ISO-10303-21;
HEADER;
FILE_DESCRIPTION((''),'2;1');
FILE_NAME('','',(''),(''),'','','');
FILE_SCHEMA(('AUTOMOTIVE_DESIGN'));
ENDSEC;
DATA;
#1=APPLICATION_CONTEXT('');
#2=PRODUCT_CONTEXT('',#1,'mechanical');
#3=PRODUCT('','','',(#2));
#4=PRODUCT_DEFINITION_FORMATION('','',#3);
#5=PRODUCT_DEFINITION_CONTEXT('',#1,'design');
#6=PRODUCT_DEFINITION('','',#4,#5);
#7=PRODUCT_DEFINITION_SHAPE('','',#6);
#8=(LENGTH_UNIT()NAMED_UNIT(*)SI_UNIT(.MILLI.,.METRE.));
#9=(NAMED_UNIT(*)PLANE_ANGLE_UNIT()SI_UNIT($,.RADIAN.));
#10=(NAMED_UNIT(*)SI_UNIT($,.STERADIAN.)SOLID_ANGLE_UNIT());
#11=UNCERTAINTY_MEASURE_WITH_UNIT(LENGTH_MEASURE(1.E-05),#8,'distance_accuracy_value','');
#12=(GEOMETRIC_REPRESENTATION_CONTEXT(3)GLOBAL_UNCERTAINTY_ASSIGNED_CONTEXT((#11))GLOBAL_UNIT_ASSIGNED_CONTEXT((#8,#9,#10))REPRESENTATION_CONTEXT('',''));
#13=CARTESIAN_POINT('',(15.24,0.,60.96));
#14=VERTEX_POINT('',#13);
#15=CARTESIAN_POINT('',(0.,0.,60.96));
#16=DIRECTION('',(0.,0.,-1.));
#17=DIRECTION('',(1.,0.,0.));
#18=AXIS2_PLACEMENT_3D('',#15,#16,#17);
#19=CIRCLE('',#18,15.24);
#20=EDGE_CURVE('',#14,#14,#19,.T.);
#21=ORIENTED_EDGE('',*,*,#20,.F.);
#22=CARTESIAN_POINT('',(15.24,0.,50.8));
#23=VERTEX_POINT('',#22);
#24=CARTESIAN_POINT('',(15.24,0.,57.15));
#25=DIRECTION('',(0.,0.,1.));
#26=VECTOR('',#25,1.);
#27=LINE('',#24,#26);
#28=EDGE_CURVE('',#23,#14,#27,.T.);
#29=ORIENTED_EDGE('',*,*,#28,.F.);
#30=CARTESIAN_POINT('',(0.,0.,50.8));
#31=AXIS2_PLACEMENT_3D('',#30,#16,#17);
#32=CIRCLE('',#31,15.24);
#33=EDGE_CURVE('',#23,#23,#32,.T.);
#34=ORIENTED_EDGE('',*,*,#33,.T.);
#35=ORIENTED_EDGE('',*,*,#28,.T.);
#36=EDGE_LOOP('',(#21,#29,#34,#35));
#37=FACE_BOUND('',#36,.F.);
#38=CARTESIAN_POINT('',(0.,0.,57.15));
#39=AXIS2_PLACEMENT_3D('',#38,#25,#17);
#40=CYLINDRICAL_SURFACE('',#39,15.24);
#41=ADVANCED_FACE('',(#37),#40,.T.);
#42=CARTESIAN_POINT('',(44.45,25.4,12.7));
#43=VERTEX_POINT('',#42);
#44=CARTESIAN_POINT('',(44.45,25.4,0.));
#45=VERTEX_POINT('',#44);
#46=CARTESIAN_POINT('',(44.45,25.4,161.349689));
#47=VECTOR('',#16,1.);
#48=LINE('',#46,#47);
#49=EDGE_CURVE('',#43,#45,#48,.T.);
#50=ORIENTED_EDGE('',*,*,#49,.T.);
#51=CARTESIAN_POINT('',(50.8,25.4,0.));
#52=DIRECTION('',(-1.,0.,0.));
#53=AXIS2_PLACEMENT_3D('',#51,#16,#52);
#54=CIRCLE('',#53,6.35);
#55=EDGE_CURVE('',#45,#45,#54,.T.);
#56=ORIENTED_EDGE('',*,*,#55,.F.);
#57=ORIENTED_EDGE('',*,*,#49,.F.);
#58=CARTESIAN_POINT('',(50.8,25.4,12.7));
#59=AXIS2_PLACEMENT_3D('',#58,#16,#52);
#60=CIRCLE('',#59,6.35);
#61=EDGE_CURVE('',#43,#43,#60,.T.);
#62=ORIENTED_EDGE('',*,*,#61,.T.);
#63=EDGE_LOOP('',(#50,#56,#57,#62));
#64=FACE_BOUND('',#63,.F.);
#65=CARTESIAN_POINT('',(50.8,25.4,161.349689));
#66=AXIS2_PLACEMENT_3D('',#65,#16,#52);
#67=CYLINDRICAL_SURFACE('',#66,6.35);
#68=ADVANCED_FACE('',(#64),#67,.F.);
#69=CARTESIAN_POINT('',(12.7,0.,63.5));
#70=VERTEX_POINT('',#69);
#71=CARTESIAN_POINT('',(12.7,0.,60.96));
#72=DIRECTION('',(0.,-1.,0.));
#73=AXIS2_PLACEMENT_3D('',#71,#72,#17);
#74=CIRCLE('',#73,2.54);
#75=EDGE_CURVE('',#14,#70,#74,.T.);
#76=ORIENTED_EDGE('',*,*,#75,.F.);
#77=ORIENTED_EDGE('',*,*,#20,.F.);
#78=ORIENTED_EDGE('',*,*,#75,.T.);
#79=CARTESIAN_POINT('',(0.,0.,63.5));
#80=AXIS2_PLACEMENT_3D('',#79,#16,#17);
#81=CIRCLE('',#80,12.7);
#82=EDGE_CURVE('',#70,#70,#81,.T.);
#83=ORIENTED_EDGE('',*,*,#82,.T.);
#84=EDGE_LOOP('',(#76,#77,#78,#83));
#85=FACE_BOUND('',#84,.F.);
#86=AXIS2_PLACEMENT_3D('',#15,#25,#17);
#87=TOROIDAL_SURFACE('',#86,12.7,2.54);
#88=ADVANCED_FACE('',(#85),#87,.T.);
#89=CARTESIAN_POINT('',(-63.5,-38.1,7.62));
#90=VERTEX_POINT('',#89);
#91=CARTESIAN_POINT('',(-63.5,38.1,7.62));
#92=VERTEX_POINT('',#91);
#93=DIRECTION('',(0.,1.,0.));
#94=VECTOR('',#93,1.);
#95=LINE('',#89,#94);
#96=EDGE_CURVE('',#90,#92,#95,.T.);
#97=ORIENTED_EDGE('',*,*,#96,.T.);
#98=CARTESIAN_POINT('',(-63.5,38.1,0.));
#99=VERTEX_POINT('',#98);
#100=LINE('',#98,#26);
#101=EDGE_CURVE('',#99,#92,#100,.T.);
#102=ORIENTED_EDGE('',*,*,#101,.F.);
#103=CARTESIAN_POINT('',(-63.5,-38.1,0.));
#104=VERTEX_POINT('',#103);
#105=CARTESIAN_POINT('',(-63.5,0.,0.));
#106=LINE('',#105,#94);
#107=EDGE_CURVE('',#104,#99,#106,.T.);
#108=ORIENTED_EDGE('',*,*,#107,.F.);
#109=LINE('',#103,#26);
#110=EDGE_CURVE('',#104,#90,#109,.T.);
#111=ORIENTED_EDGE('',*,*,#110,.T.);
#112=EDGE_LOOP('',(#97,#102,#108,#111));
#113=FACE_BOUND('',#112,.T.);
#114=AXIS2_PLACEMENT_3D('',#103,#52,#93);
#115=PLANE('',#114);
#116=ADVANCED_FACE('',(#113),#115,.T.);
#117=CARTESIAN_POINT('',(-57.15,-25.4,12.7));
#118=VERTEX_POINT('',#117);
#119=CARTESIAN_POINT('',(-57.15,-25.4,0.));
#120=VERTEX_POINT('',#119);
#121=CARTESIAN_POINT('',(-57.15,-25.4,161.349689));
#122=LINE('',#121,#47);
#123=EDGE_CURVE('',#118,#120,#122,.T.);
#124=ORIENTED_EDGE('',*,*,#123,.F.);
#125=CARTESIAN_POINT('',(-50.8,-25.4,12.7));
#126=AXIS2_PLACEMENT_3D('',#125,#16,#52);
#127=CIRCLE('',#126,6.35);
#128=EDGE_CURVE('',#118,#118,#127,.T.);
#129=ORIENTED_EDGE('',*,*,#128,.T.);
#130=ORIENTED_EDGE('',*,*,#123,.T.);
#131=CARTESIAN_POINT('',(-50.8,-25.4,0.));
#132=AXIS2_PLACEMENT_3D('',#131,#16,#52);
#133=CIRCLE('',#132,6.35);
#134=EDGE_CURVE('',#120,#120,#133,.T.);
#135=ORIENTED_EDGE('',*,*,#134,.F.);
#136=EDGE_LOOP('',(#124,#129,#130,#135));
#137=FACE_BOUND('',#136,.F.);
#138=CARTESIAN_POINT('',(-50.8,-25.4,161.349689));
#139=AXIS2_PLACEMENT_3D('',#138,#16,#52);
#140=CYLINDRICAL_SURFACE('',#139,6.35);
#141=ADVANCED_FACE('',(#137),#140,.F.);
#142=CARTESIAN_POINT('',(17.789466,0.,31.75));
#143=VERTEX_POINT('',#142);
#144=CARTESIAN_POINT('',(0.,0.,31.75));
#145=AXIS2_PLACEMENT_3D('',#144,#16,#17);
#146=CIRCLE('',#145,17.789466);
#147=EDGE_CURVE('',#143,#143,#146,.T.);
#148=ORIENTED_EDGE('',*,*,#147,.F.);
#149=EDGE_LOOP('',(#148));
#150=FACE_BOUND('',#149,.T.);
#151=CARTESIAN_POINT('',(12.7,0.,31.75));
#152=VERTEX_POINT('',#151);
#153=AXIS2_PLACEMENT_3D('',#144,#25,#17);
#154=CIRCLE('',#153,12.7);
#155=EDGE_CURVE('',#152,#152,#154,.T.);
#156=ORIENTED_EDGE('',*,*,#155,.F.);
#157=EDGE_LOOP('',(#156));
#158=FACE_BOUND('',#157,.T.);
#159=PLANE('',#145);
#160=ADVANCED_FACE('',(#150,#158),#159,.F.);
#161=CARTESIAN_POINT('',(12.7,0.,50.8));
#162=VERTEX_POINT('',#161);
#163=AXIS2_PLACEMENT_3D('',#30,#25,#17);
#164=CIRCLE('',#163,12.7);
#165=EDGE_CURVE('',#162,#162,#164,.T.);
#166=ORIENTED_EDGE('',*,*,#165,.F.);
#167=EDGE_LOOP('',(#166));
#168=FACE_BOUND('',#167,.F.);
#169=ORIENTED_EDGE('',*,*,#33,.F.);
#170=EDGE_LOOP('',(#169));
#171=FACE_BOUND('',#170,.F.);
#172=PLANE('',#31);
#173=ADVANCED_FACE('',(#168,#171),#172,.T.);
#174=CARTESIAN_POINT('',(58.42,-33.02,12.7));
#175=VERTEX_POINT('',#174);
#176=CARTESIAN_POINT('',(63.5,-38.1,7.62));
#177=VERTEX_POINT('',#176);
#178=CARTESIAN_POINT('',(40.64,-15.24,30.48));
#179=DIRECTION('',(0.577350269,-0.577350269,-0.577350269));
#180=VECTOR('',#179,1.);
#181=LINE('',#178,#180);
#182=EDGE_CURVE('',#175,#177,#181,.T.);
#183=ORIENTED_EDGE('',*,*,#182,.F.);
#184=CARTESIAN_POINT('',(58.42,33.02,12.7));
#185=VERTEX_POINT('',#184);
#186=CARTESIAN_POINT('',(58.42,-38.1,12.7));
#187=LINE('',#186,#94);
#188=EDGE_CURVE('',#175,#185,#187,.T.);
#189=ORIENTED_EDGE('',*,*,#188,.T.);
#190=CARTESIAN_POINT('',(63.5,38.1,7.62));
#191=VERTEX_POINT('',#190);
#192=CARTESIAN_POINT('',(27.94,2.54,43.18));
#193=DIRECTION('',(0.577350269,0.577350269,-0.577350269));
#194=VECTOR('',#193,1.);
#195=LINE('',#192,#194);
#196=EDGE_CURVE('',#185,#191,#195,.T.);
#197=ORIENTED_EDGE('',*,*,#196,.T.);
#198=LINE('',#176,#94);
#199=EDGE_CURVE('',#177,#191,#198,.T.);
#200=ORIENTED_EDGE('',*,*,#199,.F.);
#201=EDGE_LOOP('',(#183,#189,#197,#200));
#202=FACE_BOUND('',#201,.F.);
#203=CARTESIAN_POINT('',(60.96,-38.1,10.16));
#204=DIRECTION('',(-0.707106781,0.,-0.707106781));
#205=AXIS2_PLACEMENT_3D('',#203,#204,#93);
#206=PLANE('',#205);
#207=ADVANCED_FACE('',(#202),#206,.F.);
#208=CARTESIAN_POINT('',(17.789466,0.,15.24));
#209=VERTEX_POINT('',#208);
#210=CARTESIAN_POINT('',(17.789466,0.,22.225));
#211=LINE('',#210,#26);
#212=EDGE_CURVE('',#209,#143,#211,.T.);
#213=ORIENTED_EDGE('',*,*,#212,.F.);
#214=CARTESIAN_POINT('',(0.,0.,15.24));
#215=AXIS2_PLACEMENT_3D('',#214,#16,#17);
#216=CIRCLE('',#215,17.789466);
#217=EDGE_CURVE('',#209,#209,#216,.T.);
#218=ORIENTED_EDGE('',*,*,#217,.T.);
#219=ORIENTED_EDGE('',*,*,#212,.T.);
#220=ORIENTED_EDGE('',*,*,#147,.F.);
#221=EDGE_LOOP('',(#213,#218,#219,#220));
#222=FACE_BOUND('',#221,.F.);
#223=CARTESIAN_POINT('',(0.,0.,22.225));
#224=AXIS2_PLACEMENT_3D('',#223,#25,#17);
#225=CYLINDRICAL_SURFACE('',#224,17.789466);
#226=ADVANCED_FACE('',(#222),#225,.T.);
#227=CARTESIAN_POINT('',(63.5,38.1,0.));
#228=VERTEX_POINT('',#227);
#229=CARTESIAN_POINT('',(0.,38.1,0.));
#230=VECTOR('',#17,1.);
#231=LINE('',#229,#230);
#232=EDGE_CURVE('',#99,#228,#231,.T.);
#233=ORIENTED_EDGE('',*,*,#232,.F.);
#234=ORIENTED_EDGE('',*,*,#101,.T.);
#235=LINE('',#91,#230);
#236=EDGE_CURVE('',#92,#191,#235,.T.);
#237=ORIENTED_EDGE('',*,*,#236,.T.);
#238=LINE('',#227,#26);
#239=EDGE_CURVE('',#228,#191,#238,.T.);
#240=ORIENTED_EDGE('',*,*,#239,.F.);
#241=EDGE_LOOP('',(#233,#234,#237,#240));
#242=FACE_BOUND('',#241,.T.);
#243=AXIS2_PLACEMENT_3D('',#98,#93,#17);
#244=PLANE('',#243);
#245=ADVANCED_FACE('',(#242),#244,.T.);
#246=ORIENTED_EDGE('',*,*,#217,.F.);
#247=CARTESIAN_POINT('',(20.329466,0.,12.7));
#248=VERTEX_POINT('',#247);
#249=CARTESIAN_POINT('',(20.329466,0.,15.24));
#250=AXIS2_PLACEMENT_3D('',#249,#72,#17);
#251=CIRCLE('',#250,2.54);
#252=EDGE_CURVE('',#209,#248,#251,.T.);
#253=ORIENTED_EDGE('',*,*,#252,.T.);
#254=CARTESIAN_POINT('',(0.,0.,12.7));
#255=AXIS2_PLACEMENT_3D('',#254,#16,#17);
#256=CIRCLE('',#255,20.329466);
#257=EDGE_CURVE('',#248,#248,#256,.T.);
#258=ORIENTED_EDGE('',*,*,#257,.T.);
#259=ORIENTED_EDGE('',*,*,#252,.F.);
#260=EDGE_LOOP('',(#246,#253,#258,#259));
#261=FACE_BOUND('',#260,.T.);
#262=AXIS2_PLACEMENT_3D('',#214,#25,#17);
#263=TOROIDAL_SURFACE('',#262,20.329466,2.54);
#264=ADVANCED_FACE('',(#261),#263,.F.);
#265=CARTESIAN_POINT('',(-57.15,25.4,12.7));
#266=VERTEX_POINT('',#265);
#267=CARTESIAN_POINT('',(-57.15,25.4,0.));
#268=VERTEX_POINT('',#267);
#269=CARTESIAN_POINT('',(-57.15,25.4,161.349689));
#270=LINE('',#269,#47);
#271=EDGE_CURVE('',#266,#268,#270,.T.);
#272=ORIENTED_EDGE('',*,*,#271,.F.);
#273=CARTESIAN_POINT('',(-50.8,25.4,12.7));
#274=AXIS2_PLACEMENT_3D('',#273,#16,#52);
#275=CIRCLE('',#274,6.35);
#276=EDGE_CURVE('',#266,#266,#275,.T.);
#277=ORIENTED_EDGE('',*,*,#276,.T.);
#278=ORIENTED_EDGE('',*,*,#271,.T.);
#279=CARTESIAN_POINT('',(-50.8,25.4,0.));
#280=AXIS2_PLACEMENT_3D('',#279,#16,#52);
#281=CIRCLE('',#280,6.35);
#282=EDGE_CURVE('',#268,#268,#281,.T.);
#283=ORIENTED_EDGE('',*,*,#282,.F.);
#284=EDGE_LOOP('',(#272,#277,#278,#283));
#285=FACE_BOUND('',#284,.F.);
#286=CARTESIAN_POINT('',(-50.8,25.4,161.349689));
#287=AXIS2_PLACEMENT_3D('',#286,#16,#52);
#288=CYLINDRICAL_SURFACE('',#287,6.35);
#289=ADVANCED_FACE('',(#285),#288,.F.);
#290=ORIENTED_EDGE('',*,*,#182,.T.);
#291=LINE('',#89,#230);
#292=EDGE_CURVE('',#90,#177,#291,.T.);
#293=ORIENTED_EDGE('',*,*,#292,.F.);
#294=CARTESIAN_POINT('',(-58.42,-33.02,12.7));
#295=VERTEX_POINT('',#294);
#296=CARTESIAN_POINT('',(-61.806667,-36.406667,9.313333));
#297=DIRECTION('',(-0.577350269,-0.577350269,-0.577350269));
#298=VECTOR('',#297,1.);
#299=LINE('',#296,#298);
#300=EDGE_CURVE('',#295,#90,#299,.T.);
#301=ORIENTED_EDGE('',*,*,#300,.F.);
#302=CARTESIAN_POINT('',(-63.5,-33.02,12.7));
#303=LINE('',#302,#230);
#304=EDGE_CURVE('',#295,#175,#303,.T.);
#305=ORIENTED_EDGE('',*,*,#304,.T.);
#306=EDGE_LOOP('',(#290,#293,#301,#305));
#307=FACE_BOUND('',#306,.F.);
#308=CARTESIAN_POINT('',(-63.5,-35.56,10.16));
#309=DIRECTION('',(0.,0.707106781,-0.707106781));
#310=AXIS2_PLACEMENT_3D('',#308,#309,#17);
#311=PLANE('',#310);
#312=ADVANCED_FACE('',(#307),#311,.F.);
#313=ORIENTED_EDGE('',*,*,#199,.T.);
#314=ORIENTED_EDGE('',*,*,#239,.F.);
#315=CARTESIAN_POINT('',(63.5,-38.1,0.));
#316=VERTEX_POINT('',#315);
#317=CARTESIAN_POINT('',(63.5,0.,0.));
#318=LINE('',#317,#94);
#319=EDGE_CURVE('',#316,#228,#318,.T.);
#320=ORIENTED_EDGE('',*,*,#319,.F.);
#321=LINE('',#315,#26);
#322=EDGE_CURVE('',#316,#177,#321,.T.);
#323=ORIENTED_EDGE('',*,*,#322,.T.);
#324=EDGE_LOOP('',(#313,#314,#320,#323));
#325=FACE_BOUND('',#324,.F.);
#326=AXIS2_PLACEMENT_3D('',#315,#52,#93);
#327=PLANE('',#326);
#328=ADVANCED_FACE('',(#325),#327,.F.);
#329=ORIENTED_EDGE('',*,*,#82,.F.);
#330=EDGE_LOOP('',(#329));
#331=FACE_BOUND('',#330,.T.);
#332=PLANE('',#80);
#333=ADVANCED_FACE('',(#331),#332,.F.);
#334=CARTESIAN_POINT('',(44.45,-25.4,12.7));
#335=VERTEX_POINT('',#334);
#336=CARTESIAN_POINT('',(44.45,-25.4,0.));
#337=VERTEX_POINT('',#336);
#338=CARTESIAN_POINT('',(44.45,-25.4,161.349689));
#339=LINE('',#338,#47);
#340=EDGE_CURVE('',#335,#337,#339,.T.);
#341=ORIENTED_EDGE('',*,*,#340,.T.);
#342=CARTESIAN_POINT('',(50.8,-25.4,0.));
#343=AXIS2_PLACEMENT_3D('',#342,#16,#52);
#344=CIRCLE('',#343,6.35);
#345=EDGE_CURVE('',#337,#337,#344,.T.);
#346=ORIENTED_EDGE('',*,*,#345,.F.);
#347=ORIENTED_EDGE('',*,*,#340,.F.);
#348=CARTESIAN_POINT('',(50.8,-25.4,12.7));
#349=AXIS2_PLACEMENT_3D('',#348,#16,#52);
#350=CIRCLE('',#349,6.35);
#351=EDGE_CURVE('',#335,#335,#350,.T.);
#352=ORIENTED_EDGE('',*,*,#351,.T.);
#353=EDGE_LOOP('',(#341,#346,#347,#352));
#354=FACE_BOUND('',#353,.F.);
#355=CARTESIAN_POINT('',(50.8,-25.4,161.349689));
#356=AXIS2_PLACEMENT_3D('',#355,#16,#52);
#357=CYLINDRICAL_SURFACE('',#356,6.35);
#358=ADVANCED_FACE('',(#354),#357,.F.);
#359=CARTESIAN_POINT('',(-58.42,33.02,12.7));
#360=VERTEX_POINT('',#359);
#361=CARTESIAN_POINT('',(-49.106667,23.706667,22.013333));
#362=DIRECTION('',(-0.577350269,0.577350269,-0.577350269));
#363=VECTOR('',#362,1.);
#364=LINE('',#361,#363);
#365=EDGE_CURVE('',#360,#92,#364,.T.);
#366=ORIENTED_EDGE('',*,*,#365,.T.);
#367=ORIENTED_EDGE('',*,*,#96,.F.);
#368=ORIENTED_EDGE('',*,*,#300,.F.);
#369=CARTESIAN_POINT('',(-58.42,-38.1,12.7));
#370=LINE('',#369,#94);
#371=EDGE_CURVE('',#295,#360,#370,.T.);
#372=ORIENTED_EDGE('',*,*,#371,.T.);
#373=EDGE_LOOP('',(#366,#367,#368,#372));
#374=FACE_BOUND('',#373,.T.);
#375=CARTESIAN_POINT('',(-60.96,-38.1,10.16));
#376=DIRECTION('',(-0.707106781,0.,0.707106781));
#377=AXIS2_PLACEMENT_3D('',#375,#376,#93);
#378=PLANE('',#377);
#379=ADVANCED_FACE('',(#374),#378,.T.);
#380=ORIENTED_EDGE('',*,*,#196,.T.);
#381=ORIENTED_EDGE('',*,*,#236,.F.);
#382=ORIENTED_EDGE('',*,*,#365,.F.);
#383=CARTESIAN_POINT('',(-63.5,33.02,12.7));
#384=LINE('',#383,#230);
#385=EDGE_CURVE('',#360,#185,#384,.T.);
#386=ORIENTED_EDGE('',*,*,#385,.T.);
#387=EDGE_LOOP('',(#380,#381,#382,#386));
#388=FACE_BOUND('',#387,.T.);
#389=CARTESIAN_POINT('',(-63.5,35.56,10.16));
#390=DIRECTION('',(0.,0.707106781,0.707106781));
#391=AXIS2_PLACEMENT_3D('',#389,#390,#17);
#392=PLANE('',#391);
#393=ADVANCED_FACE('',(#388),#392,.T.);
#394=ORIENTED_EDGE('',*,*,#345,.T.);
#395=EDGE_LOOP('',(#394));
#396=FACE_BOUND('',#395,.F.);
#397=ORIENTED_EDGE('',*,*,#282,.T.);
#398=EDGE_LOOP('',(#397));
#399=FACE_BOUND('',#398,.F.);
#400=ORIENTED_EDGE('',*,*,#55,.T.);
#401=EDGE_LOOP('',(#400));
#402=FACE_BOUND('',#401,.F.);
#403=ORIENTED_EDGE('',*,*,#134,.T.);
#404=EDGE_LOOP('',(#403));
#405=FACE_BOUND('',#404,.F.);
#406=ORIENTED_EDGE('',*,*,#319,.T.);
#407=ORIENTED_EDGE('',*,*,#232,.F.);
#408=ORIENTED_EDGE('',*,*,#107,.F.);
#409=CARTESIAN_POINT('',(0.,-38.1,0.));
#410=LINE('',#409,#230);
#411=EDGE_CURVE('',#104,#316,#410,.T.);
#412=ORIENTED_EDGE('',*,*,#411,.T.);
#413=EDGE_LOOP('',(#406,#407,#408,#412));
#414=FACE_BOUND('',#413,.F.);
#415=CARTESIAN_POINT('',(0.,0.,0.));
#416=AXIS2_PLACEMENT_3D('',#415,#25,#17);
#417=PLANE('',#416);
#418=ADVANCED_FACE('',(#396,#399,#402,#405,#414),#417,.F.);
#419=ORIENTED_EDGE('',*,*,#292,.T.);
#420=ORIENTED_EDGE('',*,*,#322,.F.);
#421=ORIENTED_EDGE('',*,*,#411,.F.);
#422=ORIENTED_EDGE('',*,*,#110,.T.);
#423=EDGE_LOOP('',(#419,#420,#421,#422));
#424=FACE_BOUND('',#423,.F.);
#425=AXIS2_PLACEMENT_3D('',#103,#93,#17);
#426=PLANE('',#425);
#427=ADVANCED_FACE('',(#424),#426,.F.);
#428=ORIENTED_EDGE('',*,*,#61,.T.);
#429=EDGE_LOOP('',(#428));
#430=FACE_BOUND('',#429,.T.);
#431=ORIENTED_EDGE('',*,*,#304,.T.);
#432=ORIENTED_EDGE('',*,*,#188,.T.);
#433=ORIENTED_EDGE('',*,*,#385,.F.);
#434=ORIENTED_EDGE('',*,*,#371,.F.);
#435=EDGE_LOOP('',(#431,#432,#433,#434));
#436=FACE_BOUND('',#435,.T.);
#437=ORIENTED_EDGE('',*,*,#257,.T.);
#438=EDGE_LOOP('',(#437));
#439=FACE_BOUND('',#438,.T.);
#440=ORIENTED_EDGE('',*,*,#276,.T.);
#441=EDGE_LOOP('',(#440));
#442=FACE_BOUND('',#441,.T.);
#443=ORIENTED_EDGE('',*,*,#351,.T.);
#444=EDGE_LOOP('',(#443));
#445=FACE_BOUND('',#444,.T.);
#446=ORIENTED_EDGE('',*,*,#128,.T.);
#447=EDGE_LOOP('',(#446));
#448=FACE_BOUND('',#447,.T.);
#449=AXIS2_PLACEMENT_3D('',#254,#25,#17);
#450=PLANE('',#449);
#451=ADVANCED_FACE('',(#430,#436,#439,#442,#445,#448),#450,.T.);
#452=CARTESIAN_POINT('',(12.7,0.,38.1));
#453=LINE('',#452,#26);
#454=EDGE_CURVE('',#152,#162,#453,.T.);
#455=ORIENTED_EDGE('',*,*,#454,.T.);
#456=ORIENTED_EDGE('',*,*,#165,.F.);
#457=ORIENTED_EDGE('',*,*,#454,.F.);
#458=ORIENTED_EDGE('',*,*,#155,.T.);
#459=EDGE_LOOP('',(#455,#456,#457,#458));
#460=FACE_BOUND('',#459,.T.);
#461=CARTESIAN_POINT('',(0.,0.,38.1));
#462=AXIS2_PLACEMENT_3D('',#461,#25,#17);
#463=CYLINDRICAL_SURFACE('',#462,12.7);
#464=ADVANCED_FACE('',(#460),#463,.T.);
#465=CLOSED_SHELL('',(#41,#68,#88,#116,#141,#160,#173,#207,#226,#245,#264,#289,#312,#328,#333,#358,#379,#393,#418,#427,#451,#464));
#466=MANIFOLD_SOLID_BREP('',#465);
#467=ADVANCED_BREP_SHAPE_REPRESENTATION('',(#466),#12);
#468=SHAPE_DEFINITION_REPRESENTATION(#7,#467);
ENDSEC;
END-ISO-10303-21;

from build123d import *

# Parameters (mm, degrees)
F0_W     = 127
F0_H     = 76.2
F1_DEPTH = 12.7
F3_D     = 12.7
F5_D     = 12.7
F7_D     = 12.7
F9_D     = 12.7
F10_W    = 12.7
F10_H    = 50.8
F12_W    = 17.789466
F12_H    = 19.05
F14_W    = 15.24
F14_H    = 12.7
F16_R    = 2.54
F17_SIZE = 5.08


with BuildPart() as f1:
    # F0 (on Top) → F1 (new body)
    with BuildSketch(Plane.XY):
        Rectangle(F0_W, F0_H)
    extrude(amount=F1_DEPTH)

    # F3 (through all)
    with Locations(Plane.XY.offset(12.7)):
        with Locations((-50.8, 25.4)):
            Hole(F3_D / 2)

    # F5 (through all)
    with Locations(Plane.XY.offset(12.7)):
        with Locations((50.8, 25.4)):
            Hole(F5_D / 2)

    # F7 (through all)
    with Locations(Plane.XY.offset(12.7)):
        with Locations((-50.8, -25.4)):
            Hole(F7_D / 2)

    # F9 (through all)
    with Locations(Plane.XY.offset(12.7)):
        with Locations((50.8, -25.4)):
            Hole(F9_D / 2)

    # F10 (on Front) → F11 (revolve)
    with BuildSketch(Plane.XZ):
        with Locations((6.35, 38.1)):
            Rectangle(F10_W, F10_H)
    revolve(axis=Axis((0, 0, 38.1), (0, 0, 1)))

    # F12 (on Front) → F13 (revolve)
    with BuildSketch(Plane.XZ):
        with Locations((8.894733, 22.225)):
            Rectangle(F12_W, F12_H)
    revolve(axis=Axis((0, 0, 22.225), (0, 0, -1)))

    # F14 (on Front) → F15 (revolve)
    with BuildSketch(Plane.XZ):
        with Locations((7.62, 57.15)):
            Rectangle(F14_W, F14_H)
    revolve(axis=Axis((0, 0, 57.15), (0, 0, -1)))

    # F16
    f16_edges = [f1.edges().sort_by_distance(p)[0] for p in [
        (-15.24, 0, 63.5),
        (-17.789466, 0, 12.7),
    ]]
    fillet(f16_edges, radius=F16_R)

    # F17
    f17_edges = [f1.edges().sort_by_distance(p)[0] for p in [
        (-63.5, 0, 12.7),
        (63.5, 0, 12.7),
        (0, -38.1, 12.7),
        (0, 38.1, 12.7),
    ]]
    chamfer(f17_edges, length=F17_SIZE)


solid = f1.part
